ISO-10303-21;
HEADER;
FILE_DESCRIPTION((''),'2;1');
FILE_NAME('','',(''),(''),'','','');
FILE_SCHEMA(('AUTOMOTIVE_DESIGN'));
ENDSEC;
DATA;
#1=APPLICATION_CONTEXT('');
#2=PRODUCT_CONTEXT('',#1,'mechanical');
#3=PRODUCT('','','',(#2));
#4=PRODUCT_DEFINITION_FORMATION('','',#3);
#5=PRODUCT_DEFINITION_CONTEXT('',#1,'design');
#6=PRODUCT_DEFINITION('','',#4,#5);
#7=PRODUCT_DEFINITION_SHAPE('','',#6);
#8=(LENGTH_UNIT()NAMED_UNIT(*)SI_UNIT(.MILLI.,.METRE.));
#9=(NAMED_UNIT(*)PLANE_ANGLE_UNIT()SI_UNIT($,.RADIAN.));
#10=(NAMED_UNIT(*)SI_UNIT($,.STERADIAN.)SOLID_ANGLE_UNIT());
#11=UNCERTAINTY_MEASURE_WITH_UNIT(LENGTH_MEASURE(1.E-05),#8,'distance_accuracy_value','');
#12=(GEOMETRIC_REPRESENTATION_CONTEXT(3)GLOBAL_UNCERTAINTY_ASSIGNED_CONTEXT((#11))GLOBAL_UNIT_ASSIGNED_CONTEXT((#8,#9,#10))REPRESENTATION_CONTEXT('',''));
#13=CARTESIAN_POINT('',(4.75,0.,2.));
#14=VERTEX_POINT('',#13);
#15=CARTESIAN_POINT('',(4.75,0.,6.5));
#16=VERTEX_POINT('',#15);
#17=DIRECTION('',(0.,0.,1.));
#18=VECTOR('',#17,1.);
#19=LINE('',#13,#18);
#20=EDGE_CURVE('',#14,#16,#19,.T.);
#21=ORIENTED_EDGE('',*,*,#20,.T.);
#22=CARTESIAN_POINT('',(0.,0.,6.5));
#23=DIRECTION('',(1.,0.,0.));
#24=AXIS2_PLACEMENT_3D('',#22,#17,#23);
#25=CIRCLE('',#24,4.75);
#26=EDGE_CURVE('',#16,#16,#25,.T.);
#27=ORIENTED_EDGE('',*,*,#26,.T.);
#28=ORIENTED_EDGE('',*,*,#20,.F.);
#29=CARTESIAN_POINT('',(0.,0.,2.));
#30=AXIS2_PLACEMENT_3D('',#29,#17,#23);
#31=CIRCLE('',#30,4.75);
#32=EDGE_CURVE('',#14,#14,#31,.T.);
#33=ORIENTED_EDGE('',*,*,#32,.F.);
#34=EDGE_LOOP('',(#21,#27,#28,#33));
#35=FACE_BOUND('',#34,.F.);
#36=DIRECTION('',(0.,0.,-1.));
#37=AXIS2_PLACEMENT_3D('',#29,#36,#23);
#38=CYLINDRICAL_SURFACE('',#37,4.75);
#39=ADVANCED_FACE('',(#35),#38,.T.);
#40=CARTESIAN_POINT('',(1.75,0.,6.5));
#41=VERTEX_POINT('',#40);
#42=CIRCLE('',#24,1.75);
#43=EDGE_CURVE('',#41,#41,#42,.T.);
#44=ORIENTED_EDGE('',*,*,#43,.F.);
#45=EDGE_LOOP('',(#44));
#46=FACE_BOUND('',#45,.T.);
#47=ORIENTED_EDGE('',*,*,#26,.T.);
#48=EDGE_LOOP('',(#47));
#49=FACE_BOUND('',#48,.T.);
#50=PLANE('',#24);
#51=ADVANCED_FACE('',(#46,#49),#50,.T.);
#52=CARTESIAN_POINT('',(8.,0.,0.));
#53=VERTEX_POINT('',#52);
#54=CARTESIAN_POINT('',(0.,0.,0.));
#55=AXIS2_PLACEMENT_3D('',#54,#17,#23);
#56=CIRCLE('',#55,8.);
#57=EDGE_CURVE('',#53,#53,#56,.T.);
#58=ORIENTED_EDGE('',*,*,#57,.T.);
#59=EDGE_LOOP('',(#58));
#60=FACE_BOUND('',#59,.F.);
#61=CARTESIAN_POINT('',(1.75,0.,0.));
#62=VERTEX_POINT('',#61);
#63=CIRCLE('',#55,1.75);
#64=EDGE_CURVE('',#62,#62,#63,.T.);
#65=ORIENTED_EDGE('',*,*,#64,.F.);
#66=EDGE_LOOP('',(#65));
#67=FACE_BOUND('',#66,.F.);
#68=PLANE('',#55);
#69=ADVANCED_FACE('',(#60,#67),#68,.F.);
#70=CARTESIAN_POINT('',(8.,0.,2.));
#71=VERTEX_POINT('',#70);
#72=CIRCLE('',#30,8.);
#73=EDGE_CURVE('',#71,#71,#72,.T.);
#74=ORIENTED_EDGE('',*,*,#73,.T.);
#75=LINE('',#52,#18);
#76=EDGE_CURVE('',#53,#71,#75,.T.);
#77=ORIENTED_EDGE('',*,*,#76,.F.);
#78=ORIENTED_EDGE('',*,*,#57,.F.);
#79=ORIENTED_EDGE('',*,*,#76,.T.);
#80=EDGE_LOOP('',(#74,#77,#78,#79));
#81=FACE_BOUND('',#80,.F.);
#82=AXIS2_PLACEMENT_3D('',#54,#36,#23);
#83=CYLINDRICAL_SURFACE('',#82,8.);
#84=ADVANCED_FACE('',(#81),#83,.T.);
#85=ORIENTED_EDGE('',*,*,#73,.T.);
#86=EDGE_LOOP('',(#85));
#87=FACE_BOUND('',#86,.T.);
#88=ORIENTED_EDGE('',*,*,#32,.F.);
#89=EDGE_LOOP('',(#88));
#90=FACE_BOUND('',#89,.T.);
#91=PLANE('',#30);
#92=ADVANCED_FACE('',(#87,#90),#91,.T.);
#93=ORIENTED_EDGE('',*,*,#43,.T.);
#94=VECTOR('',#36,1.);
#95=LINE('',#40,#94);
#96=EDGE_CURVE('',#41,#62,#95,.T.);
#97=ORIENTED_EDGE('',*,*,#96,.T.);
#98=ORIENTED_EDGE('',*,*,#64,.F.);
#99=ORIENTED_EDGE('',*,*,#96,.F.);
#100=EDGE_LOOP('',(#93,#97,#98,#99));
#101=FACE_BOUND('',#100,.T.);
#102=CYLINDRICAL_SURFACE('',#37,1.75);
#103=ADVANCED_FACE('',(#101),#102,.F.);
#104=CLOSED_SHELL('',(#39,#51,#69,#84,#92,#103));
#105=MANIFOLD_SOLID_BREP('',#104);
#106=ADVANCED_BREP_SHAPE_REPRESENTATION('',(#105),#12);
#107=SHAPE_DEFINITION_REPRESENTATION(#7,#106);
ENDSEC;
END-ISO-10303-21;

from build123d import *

# Parameters (mm, degrees)
F0_R     = 8
F0_R_2   = 1.75
F1_DEPTH = 2
F2_R     = 4.75
F2_R_2   = 1.75
F3_DEPTH = 4.5


with BuildPart() as f1:
    # F0 (on Top) → F1 (new body)
    with BuildSketch(Plane.XY):
        Circle(F0_R)
        Circle(F0_R_2, mode=Mode.SUBTRACT)
    extrude(amount=F1_DEPTH)

    # F2 (on face) → F3 (join)
    with BuildSketch(Plane.XY.offset(2)):
        Circle(F2_R)
        Circle(F2_R_2, mode=Mode.SUBTRACT)
    extrude(amount=F3_DEPTH)


solid = f1.part
